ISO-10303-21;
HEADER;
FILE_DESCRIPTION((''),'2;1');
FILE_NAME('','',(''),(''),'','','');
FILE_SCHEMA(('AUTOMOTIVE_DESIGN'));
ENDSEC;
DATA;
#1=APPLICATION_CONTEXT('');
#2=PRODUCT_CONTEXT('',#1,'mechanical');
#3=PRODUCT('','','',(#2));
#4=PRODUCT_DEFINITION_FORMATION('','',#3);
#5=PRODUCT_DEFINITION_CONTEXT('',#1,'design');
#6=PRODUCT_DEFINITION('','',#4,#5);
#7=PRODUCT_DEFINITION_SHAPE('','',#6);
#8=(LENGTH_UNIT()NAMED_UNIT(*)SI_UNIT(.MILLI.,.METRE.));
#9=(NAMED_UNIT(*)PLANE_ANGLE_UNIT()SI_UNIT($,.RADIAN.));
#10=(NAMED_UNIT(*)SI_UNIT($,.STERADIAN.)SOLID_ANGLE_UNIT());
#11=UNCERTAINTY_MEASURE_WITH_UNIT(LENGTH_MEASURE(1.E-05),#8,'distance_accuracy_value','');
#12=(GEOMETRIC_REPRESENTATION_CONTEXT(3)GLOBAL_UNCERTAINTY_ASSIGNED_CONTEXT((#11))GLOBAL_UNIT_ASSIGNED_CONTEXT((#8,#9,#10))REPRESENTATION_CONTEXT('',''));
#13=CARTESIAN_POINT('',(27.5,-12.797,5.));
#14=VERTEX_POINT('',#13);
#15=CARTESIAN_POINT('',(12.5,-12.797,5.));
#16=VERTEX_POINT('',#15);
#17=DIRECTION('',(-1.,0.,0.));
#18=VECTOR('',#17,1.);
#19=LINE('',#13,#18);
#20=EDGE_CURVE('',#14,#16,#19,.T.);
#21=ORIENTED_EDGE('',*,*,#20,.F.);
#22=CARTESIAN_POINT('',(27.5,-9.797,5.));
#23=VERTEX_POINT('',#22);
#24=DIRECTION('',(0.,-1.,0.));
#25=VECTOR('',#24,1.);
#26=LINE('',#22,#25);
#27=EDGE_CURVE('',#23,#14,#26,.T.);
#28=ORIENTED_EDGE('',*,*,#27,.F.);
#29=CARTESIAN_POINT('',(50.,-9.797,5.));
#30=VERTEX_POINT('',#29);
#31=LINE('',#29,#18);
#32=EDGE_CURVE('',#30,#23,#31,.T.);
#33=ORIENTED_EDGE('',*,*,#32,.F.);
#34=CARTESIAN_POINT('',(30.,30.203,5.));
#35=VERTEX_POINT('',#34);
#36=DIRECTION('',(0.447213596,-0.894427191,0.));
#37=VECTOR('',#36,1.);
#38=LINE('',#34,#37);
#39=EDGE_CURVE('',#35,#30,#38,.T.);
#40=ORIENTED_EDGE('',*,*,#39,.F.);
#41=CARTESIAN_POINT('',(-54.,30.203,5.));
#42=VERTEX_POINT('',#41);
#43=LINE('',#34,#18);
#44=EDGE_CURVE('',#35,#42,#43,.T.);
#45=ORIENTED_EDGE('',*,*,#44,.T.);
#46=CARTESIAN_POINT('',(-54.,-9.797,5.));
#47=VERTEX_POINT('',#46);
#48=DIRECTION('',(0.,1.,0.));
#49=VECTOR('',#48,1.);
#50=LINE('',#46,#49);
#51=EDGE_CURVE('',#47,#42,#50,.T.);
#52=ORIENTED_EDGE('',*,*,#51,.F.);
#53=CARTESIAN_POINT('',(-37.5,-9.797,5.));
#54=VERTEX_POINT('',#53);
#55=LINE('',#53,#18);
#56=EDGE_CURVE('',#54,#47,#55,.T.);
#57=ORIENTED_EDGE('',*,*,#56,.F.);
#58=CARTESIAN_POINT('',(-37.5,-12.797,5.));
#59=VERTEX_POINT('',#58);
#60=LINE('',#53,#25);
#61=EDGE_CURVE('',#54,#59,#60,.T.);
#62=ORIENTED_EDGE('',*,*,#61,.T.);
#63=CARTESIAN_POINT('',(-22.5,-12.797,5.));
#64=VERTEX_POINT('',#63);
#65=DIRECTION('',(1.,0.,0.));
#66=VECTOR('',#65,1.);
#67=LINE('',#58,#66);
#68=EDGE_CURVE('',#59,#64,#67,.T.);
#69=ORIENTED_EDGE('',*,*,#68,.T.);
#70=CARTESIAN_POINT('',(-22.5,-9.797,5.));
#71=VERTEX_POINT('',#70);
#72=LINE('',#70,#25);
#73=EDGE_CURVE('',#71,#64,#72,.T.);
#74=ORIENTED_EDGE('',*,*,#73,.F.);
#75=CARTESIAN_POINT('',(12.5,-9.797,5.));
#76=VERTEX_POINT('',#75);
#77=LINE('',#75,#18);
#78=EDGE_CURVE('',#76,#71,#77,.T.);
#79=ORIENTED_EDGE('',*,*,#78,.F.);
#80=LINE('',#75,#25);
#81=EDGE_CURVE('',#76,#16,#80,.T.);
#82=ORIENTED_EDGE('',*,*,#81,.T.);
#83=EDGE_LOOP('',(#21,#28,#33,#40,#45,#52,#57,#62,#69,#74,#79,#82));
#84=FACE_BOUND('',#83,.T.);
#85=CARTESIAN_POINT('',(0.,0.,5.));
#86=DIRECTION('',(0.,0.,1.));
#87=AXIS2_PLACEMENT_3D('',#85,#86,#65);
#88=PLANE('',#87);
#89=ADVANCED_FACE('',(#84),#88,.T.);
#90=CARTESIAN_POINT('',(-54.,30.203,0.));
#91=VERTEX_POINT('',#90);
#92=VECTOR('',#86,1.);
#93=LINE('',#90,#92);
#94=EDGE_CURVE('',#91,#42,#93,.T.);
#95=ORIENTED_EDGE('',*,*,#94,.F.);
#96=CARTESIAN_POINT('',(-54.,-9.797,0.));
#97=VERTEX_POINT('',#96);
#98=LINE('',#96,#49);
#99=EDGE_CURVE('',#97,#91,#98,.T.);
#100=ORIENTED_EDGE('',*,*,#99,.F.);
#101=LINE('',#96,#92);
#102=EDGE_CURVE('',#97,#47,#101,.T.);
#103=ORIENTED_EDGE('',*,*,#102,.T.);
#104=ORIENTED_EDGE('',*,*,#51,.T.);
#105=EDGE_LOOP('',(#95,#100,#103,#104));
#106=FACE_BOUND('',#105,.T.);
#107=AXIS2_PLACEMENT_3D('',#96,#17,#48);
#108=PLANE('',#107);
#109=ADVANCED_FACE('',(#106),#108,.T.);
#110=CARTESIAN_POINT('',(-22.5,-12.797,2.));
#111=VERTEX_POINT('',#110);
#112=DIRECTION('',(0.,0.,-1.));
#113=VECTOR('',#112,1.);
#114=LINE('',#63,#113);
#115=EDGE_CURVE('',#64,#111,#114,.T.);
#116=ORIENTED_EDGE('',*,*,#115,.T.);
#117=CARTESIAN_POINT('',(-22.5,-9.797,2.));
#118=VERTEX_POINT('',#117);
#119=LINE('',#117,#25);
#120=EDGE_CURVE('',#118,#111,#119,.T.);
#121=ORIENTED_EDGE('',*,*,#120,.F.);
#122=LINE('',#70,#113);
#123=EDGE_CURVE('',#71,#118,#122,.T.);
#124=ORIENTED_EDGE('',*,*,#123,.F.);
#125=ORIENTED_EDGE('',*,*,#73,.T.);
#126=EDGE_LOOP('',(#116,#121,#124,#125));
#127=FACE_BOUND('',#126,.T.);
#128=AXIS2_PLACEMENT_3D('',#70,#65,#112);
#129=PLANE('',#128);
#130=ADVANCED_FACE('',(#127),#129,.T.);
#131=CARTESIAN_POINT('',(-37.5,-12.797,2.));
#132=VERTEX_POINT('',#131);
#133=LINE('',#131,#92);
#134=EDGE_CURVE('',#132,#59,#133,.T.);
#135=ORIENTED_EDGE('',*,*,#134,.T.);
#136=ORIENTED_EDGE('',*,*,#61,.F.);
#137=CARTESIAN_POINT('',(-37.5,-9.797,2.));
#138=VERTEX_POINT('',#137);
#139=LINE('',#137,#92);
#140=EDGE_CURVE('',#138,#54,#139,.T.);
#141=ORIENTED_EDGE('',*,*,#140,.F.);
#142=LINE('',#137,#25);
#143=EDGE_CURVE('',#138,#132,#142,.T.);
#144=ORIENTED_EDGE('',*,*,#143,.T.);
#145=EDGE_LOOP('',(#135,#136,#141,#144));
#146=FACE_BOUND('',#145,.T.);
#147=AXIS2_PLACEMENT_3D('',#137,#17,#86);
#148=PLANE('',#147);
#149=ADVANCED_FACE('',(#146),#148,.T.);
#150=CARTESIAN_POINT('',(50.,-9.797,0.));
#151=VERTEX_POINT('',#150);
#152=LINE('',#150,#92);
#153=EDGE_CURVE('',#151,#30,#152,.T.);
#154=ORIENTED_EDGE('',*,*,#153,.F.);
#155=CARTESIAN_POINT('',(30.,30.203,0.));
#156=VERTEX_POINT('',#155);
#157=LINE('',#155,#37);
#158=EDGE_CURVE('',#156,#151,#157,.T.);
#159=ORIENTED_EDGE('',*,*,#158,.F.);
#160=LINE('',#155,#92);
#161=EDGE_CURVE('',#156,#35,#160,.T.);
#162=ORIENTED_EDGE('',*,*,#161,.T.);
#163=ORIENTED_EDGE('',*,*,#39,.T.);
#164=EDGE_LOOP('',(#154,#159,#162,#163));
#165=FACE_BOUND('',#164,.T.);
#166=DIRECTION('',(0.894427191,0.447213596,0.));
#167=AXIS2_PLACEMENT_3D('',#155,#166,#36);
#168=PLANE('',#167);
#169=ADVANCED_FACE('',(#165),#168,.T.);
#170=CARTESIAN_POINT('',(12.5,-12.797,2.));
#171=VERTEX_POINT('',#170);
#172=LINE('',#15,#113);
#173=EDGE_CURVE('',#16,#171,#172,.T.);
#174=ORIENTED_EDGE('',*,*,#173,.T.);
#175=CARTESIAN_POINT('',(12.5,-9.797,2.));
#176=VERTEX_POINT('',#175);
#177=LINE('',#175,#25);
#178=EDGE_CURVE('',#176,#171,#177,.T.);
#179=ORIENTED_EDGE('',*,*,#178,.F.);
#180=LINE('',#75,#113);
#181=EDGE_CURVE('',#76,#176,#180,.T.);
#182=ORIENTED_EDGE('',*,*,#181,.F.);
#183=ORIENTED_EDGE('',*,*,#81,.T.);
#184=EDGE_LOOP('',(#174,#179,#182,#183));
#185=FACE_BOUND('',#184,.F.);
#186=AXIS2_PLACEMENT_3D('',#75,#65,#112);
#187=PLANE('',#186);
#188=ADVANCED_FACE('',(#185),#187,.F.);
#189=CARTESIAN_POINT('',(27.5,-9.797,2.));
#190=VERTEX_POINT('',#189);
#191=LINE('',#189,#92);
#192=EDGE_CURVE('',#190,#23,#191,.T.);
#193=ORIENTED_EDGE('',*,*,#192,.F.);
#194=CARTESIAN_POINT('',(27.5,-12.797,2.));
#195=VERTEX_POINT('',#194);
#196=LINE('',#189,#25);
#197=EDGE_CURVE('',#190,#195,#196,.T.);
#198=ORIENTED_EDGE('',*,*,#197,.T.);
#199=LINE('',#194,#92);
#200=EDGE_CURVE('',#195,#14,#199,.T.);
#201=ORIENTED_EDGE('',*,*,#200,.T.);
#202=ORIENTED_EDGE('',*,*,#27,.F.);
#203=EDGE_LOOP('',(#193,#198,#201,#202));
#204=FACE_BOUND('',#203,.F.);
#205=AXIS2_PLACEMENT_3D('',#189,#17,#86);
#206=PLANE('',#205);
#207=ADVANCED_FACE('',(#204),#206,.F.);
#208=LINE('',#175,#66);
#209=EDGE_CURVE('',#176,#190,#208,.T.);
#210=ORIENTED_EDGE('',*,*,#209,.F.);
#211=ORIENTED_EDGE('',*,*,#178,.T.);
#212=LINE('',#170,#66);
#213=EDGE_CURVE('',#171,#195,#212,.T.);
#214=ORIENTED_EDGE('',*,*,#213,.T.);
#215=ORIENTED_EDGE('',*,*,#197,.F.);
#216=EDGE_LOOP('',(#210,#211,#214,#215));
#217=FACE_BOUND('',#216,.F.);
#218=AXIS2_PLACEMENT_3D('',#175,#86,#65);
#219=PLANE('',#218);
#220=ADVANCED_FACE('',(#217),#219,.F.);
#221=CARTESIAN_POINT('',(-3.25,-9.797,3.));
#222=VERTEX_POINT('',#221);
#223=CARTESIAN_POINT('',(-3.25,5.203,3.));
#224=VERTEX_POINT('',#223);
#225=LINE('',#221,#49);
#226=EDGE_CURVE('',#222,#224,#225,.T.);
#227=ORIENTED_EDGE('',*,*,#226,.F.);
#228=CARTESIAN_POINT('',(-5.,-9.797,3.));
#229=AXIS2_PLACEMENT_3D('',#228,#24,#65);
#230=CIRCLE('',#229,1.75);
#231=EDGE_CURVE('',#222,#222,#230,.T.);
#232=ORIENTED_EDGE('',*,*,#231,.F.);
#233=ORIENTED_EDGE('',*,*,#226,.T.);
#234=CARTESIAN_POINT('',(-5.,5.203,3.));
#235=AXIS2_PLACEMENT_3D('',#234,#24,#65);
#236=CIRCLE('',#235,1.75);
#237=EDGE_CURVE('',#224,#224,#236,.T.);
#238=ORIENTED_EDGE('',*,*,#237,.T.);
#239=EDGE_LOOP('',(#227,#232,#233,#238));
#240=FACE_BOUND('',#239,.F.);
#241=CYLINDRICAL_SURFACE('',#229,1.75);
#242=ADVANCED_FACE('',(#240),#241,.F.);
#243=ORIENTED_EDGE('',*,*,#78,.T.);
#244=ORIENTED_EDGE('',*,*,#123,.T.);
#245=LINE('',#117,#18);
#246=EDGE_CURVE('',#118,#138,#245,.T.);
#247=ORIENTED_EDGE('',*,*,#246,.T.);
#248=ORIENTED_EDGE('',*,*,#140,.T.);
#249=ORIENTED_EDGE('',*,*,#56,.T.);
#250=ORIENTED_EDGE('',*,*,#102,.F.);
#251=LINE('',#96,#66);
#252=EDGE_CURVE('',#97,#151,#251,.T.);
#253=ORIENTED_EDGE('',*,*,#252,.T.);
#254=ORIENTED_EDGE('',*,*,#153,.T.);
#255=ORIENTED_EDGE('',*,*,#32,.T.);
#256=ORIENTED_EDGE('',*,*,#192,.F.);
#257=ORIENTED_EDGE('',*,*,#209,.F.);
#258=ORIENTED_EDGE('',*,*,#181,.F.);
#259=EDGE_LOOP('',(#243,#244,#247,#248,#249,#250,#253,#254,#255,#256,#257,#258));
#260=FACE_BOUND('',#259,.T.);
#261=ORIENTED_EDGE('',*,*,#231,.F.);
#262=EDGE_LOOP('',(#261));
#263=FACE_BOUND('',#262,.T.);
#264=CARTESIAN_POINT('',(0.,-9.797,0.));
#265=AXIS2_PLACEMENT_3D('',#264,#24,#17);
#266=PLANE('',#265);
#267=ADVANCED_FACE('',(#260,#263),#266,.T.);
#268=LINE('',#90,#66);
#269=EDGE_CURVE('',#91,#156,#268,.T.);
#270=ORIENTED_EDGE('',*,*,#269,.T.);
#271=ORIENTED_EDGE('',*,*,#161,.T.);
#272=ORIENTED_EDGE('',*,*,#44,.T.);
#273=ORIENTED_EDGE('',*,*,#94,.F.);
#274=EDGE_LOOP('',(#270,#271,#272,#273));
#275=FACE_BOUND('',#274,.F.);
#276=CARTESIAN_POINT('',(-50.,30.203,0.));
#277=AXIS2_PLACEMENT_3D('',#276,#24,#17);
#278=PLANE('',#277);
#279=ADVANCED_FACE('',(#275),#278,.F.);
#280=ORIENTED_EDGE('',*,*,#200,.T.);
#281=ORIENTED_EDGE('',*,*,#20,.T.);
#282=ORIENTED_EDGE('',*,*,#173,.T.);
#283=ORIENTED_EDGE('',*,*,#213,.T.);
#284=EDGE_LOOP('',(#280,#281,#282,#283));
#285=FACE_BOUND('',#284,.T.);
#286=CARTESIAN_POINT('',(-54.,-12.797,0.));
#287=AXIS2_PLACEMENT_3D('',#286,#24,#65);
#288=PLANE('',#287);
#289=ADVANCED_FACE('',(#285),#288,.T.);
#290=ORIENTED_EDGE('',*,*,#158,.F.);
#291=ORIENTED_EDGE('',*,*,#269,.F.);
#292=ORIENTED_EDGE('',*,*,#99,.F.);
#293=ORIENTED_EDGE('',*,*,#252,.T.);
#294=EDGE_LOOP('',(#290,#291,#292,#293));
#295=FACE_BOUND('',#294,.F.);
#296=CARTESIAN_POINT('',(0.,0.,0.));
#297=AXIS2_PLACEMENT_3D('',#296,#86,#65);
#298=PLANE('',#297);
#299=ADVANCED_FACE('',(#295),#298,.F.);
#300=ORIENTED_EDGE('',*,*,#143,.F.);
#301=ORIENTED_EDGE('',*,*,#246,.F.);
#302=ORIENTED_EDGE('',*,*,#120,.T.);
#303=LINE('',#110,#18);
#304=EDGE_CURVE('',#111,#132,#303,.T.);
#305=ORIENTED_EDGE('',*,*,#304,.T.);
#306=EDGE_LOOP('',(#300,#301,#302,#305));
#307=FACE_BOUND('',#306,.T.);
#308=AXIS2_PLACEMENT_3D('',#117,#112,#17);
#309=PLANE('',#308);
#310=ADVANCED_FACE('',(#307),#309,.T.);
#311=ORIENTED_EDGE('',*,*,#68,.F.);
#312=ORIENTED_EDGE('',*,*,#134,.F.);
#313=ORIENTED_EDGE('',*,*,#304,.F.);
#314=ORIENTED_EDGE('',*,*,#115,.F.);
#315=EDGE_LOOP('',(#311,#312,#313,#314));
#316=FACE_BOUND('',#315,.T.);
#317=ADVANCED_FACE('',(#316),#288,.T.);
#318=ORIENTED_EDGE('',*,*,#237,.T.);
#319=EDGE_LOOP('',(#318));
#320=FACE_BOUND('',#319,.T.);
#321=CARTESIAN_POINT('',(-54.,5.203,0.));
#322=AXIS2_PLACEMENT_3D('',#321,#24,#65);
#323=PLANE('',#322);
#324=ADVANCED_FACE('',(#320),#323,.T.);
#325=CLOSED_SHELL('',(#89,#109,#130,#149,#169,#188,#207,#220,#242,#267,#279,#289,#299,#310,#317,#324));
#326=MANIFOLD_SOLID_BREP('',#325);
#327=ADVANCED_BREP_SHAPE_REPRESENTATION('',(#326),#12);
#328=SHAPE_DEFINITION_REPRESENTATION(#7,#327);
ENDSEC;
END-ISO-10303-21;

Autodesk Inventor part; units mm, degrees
ref_plane "YZ Plane" through (0, 0, 0) normal (1, 0, 0) x (0, 1, 0)
ref_plane "XZ Plane" through (0, 0, 0) normal (0, 1, 0) x (-1, 0, 0)
ref_plane "XY Plane" through (0, 0, 0) normal (0, 0, 1) x (1, 0, 0)
sketch "Sketch1" plane through (0, 0, 0) normal (0, 0, 1) x (1, 0, 0)
  line L0 (0, -9.797) -> (50, -9.797)
  line L1 (0, -9.797) -> (-50, -9.797)
  line L2 (50, -9.797) -> (30, -9.797)
  line L3 (30, 30.203) -> (50, -9.797)
  line L4 (-50, 30.203) -> (30, 30.203)
  line L5 (-50, -9.797) -> (-54, -9.797)
  line L6 (-50, 30.203) -> (-54, 30.203)
  line L7 (-54, -9.797) -> (-54, 30.203)
  point P0 (0, 0)
  dimension "d4" = 20
  dimension "d5" = 40
  dimension "d27" = 104
  dimension "d29" = 84
extrude "Extrusion3" add sketch "Sketch1" along normal blind 5
sketch "Sketch3" plane through (-54, -9.797, 0) normal (0, -1, 0) x (1, 0, 0)
  line L0 (104, 0) -> (104, 5) construction
  line L1 (104, 5) -> (81.5, 5) construction
  line L2 (84, 5) -> (0, 5) construction
  line L3 (81.5, 5) -> (66.5, 5)
  line L4 (66.5, 5) -> (66.5, 2)
  line L5 (66.5, 2) -> (81.5, 2)
  line L6 (81.5, 2) -> (81.5, 5)
  line L7 (66.5, 5) -> (66.5, 3) construction
  line L8 (31.5, 2) -> (16.5, 2)
  line L9 (16.5, 2) -> (16.5, 5)
  line L10 (16.5, 5) -> (31.5, 5)
  line L11 (31.5, 5) -> (31.5, 2)
  circle A0 centre (49, 3) radius 1.75
  point P0 (54, 0)
  dimension "d32" = 22.5
  dimension "d33" = 15
  dimension "d34" = 3
  dimension "d41" = 15
  dimension "d42" = 3
  dimension "d44" = 3.5
  dimension "d45" = 15.75
  dimension "d46" = 17.5
extrude "Extrusion4" add sketch "Sketch3" along normal blind 3 contours L6 L5 L4 L3 | L8 L9 L10 L11
extrude "Extrusion5" cut sketch "Sketch3" against normal blind 15 contours A0
equation "\"d41\" = d33"
equation "\"d42\" = d34"
properties part number "latera_trapezio_agitador"
